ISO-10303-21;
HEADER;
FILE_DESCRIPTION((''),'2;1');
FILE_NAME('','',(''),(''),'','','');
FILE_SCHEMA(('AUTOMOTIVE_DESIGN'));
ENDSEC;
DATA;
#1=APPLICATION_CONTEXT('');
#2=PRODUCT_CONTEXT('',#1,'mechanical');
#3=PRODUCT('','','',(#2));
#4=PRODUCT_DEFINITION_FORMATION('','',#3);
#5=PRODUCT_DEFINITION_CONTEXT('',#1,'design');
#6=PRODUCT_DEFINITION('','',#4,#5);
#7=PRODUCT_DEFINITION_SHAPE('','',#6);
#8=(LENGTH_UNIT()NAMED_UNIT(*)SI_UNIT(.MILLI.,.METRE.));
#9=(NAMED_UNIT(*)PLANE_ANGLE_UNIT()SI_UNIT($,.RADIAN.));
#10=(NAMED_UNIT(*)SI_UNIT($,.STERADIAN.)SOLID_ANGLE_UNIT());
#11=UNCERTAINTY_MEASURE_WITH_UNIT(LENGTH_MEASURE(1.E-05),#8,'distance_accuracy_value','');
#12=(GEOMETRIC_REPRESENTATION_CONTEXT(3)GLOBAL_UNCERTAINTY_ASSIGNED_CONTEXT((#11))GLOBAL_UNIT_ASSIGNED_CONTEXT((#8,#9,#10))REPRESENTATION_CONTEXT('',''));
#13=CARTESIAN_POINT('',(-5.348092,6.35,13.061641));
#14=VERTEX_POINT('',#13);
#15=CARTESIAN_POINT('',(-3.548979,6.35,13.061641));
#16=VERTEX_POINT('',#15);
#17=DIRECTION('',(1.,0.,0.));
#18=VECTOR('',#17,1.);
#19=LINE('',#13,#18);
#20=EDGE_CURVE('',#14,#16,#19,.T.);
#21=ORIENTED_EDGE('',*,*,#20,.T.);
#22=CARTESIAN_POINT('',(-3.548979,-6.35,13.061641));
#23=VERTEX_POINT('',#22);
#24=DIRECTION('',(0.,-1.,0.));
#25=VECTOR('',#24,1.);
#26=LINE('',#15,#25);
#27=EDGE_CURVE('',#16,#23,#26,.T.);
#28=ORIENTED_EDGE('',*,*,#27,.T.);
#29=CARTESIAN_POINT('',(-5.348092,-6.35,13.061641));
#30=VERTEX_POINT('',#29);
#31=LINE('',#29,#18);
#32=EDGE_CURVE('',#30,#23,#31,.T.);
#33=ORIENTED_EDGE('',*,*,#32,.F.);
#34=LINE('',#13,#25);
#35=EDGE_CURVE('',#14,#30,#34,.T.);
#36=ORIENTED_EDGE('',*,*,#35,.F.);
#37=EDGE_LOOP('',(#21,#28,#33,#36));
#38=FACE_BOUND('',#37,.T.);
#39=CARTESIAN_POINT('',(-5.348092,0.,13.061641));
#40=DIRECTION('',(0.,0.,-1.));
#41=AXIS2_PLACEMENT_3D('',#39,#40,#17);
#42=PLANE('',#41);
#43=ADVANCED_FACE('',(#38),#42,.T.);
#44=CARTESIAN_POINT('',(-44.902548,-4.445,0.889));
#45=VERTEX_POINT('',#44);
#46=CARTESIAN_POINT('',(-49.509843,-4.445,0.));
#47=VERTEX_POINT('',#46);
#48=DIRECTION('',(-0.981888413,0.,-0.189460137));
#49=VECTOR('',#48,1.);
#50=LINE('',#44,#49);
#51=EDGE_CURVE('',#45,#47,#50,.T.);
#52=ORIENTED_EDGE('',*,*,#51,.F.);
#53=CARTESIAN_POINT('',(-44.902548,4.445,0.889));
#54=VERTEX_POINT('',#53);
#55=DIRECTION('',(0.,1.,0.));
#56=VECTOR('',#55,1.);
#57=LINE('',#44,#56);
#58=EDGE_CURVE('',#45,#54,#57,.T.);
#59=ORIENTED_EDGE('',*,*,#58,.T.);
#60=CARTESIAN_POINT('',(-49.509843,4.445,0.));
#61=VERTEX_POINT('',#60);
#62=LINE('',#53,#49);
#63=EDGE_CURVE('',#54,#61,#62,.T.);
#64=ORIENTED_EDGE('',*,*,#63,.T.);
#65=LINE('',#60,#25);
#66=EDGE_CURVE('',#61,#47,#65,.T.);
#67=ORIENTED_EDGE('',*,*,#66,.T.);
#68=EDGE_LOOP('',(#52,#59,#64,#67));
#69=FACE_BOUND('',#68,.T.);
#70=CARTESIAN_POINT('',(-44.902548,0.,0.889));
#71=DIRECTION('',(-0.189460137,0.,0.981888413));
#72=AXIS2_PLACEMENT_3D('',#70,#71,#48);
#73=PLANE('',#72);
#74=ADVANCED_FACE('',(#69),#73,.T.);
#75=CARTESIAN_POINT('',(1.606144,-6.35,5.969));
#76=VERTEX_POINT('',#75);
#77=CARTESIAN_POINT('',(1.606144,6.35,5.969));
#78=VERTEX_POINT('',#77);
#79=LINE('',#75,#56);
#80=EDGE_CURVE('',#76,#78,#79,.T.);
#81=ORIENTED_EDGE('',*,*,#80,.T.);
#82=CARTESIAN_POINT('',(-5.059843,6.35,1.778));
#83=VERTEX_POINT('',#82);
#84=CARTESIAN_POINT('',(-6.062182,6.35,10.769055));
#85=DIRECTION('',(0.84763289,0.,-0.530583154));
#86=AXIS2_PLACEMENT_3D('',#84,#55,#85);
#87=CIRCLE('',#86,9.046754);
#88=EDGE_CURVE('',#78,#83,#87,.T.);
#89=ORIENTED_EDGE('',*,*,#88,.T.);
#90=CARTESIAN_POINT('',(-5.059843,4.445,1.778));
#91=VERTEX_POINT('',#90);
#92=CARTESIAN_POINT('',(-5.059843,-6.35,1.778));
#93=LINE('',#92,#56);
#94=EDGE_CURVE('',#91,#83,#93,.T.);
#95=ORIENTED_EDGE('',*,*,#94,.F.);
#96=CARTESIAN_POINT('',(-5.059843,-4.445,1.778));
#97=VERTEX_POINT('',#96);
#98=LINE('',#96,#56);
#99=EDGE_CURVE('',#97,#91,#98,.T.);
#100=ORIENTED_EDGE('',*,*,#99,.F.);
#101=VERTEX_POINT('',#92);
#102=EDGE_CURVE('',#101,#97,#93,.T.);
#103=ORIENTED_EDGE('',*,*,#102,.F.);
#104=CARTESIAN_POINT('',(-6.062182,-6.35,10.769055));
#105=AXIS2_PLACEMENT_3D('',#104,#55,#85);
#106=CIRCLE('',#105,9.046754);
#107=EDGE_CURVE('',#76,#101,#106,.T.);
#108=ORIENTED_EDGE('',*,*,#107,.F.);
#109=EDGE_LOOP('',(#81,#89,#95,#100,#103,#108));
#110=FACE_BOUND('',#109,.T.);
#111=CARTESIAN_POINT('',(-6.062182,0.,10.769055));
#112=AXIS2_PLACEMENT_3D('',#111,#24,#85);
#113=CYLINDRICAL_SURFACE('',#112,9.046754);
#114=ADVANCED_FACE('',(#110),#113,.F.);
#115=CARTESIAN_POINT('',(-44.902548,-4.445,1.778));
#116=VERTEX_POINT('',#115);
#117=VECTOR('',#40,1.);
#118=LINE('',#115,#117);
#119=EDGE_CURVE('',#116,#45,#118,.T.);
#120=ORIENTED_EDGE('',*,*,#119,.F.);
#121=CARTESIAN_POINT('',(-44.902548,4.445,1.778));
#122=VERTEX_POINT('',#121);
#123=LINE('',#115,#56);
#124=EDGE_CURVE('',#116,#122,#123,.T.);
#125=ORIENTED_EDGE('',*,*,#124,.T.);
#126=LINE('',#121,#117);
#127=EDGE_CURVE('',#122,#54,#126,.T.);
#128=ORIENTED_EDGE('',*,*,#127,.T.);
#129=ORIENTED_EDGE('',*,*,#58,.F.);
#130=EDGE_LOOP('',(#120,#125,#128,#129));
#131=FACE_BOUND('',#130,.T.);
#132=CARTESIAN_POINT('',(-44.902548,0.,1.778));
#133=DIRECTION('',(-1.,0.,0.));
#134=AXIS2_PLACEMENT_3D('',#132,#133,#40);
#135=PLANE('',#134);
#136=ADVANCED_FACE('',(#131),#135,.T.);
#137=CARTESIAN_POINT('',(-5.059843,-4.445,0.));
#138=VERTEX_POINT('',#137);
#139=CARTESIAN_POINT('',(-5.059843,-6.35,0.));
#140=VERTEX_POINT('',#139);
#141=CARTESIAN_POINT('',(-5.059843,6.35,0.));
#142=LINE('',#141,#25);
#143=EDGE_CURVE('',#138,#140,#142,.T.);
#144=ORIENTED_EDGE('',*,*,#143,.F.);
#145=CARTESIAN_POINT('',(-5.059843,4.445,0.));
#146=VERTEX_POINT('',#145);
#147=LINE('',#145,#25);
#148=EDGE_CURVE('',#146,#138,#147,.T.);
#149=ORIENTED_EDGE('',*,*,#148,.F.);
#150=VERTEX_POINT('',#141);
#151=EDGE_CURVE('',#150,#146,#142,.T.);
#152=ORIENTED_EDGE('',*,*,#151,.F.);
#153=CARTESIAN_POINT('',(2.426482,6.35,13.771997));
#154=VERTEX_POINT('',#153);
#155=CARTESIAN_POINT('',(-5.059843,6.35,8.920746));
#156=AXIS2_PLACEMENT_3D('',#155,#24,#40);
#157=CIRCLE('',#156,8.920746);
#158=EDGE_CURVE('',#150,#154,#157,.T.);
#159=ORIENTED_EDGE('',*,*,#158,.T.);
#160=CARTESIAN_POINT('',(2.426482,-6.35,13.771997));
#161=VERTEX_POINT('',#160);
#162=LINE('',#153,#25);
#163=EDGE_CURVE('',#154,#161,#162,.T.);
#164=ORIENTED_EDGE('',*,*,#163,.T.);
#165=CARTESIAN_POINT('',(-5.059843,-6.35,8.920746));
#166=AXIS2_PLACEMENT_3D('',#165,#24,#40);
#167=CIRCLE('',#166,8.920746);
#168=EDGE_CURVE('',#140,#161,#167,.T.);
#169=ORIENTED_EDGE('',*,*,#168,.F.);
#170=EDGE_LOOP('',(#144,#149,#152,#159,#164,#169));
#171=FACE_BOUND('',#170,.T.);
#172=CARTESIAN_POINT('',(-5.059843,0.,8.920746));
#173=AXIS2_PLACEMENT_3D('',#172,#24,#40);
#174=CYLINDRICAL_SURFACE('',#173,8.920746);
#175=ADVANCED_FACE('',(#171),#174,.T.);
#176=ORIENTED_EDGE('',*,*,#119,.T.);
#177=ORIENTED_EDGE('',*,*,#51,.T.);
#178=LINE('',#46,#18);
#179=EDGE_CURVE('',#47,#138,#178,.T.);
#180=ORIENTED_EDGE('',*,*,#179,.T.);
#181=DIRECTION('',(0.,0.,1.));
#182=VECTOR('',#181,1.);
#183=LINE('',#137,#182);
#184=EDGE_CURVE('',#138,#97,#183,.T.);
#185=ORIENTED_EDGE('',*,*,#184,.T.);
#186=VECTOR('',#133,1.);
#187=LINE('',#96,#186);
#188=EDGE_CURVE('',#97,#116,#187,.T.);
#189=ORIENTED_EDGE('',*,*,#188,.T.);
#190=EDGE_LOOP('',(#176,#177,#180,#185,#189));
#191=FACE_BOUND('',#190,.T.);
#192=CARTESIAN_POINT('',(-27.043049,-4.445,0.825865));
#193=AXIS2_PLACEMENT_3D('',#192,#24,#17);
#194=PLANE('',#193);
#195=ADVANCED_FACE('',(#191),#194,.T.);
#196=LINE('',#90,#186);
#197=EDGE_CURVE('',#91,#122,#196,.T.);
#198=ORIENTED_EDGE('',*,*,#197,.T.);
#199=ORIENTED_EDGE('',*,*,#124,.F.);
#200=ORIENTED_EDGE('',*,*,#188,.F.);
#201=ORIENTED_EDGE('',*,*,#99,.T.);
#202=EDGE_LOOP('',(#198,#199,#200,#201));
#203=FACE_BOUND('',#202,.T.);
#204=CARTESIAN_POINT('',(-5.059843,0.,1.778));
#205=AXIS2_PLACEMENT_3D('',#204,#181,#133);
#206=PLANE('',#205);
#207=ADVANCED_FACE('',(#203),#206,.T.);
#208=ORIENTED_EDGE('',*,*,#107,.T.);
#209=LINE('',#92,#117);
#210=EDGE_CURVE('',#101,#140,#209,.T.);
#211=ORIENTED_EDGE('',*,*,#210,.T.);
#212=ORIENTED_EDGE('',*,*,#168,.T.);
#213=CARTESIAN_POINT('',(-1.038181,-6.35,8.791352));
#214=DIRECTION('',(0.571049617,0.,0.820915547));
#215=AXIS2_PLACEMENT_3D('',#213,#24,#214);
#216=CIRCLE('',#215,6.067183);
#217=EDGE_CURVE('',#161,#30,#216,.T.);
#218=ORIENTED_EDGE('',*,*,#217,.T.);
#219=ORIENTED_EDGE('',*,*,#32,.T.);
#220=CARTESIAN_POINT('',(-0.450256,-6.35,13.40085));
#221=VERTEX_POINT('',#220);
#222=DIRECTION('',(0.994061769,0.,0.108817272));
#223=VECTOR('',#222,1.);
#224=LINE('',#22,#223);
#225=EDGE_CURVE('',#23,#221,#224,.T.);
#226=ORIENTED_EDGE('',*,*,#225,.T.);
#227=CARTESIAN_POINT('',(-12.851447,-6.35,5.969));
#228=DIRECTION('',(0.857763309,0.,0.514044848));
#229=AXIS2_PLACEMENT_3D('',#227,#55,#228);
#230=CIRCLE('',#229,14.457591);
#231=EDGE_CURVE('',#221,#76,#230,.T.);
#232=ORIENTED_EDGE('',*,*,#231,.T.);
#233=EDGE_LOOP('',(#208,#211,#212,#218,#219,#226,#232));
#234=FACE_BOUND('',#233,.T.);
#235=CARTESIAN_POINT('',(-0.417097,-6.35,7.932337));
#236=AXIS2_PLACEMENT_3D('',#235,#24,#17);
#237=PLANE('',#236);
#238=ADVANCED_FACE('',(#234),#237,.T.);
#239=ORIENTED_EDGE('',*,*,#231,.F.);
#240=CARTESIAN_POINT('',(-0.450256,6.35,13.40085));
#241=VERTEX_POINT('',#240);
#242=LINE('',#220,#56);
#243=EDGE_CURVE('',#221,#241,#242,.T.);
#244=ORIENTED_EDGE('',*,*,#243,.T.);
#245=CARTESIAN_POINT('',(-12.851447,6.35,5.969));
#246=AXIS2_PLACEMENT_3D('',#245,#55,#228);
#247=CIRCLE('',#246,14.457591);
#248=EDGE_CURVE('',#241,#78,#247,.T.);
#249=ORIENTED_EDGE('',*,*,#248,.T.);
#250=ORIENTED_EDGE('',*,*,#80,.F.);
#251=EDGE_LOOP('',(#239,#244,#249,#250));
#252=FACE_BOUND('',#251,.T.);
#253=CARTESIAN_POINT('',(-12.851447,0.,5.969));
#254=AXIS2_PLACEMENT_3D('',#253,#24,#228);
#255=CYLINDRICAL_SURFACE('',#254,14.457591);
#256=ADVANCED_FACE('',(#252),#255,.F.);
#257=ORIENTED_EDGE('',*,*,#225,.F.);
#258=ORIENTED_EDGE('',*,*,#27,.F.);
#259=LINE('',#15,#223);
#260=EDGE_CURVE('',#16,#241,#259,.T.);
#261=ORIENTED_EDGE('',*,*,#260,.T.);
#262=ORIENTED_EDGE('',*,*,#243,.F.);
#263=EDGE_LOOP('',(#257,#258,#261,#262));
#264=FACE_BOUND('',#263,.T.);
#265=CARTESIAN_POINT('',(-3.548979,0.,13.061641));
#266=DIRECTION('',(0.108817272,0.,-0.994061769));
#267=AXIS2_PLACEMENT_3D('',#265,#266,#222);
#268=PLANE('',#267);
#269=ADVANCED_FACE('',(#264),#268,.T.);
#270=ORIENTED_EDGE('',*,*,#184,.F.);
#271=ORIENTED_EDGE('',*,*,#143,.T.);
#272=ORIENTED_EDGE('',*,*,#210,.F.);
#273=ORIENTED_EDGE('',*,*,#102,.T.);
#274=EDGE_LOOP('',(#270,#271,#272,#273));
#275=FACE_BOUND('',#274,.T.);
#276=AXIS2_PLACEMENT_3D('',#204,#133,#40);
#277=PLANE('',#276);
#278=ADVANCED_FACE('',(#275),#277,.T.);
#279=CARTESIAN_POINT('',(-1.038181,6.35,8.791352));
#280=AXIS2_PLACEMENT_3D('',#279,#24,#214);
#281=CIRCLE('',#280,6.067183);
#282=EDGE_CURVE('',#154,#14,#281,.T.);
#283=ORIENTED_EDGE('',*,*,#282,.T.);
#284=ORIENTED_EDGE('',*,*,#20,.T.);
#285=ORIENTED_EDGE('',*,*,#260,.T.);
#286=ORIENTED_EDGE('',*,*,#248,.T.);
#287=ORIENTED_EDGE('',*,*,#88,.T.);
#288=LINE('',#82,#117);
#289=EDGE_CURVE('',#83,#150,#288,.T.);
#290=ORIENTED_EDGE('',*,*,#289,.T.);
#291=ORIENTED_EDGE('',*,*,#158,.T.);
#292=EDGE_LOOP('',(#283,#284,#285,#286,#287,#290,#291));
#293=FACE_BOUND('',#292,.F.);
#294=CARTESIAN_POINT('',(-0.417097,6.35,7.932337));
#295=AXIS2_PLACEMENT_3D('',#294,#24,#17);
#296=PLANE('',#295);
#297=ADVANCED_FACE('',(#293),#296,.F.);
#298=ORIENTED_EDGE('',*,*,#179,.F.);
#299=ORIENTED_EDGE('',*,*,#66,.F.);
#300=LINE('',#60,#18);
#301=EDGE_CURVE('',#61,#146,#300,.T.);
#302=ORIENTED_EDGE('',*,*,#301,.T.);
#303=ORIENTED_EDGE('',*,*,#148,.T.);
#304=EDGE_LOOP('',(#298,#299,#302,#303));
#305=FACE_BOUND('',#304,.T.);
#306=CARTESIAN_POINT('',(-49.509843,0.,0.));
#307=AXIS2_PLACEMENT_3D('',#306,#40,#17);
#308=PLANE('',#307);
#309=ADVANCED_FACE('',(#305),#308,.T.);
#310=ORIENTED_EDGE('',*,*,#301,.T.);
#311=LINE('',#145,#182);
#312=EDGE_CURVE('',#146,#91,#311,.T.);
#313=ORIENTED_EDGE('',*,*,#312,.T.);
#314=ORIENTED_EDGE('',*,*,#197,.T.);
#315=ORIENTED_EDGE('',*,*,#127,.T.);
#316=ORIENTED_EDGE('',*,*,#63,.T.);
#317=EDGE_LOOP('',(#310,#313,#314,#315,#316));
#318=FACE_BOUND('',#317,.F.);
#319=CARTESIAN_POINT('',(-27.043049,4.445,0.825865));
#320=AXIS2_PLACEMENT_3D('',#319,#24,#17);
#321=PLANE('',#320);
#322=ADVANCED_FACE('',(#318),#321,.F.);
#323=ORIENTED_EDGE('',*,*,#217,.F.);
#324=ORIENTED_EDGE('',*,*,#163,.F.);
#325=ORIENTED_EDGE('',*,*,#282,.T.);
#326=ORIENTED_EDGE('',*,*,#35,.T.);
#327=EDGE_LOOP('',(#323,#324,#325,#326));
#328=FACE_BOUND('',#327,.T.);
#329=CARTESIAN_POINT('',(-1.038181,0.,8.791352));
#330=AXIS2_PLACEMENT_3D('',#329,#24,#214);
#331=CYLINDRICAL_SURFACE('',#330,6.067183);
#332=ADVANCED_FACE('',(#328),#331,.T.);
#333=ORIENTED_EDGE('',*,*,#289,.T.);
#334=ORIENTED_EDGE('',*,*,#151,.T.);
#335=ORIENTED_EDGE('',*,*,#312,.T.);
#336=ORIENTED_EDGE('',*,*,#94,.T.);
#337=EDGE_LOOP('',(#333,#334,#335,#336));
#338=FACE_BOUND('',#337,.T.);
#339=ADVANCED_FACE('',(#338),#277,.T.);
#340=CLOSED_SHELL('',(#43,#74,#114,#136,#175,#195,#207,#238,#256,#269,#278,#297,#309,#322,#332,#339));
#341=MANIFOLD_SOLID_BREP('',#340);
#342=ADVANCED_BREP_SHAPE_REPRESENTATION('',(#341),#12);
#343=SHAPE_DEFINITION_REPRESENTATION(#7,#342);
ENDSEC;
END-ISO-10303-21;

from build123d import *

# Parameters (mm, degrees)
F1_DEPTH = 6.35
F2_DEPTH = 4.445


with BuildPart() as f1:
    # F0 (on Front) → F1 (new body, symmetric)
    with BuildSketch(Plane.XZ):
        with BuildLine():
            Line((-5.0598434882, 1.778), (-5.0598434882, 0))
            ThreePointArc((-5.0598434882, 0), (2.7777736208, 4.6602924492), (2.4264816276, 13.7719970972))
            ThreePointArc((2.4264816276, 13.7719970972), (-1.5902340881, 14.8333673091), (-5.3480924107, 13.0616414006))
            Line((-5.3480924107, 13.0616414006), (-3.5489785951, 13.0616414006))
            Line((-3.5489785951, 13.0616414006), (-0.4502555011, 13.4008502945))
            ThreePointArc((-0.4502555011, 13.4008502945), (1.0825637313, 9.8245537702), (1.6061444356, 5.969))
            ThreePointArc((1.6061444356, 5.969), (-1.2469739872, 3.1102347773), (-5.0598434882, 1.778))
        make_face()
    extrude(amount=F1_DEPTH, both=True)

    # F0 (on Front) → F2 (join, symmetric)
    with BuildSketch(Plane.XZ):
        Polygon((-44.9025481939, 0.889), (-49.5098434882, 0), (-5.0598434882, 0), (-5.0598434882, 1.778), (-44.9025481939, 1.778), align=None)
    extrude(amount=F2_DEPTH, both=True)


solid = f1.part
